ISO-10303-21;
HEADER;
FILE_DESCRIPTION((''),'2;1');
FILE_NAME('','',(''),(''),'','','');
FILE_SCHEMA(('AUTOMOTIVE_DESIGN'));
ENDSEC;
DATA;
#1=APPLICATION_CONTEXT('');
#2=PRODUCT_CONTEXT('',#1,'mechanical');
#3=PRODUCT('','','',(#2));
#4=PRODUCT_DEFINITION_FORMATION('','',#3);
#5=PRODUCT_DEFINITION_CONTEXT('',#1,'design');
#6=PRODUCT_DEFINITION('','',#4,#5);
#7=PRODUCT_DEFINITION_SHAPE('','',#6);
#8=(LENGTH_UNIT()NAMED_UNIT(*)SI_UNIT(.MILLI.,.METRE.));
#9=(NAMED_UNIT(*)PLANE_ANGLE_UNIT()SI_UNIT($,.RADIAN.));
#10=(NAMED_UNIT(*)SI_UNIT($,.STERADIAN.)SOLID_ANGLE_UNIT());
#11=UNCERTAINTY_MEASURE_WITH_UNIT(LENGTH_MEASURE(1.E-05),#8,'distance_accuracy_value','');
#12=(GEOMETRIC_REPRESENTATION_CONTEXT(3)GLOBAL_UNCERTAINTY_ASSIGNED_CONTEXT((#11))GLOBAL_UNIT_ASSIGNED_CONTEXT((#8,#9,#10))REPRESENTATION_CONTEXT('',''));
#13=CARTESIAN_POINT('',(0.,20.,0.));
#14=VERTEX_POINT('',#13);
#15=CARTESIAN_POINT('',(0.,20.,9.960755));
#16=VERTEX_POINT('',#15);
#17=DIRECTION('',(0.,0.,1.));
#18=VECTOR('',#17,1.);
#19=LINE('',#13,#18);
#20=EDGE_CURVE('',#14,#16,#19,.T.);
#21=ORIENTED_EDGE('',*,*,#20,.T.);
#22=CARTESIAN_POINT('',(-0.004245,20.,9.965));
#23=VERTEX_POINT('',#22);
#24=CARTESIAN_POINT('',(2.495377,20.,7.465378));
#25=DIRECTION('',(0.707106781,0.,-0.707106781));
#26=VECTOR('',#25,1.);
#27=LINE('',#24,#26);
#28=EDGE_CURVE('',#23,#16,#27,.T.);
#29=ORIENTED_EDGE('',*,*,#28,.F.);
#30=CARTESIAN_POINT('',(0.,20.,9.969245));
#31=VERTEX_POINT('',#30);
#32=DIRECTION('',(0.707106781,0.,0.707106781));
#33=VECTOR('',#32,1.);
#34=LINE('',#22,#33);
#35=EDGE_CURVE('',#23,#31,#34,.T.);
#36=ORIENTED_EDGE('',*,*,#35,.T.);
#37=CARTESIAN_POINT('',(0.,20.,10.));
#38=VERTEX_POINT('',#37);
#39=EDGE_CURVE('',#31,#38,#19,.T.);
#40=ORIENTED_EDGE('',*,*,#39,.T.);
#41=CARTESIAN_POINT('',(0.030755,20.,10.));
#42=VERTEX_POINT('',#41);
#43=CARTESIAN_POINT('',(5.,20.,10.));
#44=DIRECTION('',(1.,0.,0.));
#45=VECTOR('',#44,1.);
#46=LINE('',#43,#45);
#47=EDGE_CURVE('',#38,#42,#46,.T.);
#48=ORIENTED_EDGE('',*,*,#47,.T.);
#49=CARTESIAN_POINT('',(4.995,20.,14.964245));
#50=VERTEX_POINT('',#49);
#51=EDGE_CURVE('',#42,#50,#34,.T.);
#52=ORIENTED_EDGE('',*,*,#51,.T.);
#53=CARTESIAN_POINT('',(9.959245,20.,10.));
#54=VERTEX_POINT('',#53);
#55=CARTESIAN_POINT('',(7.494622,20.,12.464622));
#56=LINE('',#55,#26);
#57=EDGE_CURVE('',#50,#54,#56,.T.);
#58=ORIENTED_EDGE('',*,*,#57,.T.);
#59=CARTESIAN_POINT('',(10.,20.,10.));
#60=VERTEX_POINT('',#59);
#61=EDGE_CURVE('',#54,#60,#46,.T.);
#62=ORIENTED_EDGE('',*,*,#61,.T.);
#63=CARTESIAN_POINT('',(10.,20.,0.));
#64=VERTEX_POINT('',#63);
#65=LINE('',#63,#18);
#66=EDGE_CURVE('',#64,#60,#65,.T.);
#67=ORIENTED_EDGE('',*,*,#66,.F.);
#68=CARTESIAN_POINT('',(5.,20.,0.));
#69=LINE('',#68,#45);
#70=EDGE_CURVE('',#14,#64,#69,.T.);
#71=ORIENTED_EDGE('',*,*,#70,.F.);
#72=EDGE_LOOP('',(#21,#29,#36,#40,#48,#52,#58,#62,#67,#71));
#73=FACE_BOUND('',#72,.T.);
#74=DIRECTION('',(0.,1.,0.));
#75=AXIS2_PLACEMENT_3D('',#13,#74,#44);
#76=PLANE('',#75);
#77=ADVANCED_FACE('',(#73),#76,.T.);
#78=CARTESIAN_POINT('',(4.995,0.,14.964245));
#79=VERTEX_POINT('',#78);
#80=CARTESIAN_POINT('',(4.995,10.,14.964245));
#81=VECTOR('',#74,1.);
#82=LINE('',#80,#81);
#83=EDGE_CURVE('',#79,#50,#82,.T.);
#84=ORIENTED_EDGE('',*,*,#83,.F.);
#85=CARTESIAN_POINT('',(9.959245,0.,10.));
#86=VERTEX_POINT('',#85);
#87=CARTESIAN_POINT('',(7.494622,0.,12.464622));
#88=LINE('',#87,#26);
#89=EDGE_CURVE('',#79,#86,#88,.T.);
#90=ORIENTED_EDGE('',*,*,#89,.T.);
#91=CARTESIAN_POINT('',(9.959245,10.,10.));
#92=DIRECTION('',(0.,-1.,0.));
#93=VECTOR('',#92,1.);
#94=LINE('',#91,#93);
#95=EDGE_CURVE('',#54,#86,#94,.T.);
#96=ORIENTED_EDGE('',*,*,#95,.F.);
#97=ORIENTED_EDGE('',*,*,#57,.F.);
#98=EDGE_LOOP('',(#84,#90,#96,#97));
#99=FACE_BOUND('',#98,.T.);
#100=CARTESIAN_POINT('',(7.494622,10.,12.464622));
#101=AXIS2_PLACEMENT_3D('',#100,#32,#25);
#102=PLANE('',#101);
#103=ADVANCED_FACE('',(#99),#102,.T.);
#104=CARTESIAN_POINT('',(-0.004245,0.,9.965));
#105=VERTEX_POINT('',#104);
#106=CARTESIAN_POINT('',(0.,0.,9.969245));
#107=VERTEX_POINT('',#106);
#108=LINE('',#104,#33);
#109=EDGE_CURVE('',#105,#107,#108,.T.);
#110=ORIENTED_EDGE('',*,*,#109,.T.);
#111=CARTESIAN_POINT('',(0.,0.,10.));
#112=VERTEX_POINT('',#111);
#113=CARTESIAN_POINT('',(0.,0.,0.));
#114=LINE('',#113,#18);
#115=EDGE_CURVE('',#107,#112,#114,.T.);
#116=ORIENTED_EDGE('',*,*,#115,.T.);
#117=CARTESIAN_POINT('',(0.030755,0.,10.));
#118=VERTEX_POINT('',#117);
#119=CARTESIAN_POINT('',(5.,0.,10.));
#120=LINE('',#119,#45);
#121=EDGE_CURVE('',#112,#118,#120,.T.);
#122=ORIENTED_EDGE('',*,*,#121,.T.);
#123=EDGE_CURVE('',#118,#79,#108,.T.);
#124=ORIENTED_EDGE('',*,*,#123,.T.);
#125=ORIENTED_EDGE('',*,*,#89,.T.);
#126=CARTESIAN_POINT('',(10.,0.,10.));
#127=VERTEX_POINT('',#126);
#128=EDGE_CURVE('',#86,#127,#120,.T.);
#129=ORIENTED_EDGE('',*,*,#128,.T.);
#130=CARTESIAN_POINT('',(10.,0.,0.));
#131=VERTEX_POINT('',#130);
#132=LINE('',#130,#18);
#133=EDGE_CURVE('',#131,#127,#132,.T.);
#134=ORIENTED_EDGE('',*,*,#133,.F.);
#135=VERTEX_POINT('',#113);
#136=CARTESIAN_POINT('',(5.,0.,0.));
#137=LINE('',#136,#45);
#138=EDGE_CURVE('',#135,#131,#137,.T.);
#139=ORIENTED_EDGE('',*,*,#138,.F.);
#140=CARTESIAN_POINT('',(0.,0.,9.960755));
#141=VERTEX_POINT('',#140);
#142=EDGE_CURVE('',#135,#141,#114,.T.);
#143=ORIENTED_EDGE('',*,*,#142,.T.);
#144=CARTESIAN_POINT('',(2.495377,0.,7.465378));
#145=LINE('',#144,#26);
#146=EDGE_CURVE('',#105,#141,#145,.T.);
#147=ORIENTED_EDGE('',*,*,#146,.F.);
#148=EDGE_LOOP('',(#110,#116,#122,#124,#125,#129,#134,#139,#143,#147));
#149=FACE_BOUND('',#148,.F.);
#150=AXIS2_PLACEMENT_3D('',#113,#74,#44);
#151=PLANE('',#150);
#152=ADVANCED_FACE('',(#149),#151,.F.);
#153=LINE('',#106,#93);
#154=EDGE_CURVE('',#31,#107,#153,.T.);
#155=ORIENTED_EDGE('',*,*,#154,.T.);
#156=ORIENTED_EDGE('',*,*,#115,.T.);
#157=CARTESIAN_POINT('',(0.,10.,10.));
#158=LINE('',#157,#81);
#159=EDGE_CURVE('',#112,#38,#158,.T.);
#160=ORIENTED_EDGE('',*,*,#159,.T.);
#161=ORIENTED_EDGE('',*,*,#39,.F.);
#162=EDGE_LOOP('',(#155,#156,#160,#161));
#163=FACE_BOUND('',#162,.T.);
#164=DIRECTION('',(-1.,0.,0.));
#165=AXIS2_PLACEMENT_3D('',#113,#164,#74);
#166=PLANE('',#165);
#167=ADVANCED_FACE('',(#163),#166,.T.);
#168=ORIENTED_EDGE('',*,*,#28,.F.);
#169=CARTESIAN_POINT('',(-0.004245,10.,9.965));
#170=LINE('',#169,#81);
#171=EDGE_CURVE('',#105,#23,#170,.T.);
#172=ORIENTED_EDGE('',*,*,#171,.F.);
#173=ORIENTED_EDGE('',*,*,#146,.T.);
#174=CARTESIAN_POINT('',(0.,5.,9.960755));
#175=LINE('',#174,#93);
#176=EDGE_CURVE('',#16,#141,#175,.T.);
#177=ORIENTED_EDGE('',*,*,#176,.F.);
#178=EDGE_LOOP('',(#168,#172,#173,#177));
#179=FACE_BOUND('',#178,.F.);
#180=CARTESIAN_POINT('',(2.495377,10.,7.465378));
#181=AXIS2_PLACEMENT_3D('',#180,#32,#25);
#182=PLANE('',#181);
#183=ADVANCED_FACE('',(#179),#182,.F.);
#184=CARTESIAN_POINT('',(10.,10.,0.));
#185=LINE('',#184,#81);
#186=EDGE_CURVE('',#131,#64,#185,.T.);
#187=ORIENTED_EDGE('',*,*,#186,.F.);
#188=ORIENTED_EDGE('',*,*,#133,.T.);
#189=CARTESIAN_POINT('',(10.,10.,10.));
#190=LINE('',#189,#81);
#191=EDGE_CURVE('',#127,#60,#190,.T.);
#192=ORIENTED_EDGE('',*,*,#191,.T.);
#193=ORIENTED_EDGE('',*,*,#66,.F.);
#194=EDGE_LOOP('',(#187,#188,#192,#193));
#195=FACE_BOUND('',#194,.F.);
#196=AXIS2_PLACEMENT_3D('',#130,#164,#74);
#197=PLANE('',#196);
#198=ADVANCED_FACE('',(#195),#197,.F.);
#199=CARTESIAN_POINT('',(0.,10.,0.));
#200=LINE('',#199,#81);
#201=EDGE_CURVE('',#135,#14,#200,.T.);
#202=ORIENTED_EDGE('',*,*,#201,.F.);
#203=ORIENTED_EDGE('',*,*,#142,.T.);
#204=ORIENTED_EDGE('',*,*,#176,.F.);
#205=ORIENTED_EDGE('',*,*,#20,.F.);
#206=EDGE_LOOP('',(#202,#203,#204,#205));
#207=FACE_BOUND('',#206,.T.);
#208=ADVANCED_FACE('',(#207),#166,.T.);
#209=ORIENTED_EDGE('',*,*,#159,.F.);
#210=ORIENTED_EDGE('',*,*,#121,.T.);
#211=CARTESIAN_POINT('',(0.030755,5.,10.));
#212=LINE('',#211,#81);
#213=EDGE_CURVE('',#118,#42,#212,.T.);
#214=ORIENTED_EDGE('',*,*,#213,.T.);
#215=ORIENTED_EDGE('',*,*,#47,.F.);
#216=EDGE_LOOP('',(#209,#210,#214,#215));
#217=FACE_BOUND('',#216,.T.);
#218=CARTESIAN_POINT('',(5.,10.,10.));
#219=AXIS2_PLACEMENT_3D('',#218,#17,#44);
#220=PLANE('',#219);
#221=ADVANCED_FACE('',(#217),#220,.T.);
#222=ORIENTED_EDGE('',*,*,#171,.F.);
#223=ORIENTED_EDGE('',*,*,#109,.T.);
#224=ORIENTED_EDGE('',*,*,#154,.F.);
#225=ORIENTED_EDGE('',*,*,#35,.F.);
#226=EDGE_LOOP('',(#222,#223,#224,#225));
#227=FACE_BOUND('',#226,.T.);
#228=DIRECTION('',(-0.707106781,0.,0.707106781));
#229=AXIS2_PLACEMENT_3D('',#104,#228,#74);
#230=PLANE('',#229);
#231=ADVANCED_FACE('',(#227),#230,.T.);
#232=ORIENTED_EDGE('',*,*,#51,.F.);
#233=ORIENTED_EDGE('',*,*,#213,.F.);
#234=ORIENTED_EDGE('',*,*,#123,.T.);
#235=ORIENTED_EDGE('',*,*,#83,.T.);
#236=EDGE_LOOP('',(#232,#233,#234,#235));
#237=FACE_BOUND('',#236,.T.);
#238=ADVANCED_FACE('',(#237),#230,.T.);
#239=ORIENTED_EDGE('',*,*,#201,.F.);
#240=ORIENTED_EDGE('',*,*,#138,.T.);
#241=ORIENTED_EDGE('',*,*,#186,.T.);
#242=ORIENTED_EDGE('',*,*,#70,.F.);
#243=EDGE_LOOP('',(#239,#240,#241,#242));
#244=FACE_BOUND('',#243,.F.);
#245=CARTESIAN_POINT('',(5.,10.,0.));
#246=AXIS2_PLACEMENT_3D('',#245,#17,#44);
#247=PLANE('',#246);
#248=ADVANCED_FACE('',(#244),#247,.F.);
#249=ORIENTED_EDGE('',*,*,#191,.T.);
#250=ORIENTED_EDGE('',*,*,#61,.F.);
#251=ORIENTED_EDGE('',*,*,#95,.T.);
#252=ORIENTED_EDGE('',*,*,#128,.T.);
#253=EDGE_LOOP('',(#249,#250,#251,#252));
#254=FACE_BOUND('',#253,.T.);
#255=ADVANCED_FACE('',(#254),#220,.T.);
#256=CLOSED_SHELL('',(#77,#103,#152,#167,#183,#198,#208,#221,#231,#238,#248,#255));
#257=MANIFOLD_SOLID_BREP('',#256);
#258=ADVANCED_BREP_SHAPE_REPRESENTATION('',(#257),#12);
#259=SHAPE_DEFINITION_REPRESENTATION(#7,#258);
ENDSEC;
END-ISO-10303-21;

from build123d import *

# Parameters (mm, degrees)
BOX_W                  = 10
BOX_H                  = 20
BOX_DEPTH              = 10
BOX001_W               = 7.07
BOX001_H               = 20
BOX001_DEPTH           = 7.07
BOX001_PLACEMENT_ANGLE = 45


with BuildPart() as cubo:
    # Box → Box (new body)
    with BuildSketch(Plane.XY):
        with Locations((5, 10)):
            Rectangle(BOX_W, BOX_H)
    extrude(amount=BOX_DEPTH)


with BuildPart() as fusion:
    # Box001 → Box001 (new body)
    with BuildSketch(Plane.XY):
        with Locations((3.535, 10)):
            Rectangle(BOX001_W, BOX001_H)
    extrude(amount=BOX001_DEPTH)


with BuildPart() as fusion_1:
    # Box001 placement: moved
    add(fusion.part.moved(Location((-0.004245, 0, 9.965))).rotate(Axis((-0.004245, 0, 9.965), (0, 1, 0)), BOX001_PLACEMENT_ANGLE))

    # Fusion: union Cubo
    add(cubo.part)


solid = fusion_1.part
